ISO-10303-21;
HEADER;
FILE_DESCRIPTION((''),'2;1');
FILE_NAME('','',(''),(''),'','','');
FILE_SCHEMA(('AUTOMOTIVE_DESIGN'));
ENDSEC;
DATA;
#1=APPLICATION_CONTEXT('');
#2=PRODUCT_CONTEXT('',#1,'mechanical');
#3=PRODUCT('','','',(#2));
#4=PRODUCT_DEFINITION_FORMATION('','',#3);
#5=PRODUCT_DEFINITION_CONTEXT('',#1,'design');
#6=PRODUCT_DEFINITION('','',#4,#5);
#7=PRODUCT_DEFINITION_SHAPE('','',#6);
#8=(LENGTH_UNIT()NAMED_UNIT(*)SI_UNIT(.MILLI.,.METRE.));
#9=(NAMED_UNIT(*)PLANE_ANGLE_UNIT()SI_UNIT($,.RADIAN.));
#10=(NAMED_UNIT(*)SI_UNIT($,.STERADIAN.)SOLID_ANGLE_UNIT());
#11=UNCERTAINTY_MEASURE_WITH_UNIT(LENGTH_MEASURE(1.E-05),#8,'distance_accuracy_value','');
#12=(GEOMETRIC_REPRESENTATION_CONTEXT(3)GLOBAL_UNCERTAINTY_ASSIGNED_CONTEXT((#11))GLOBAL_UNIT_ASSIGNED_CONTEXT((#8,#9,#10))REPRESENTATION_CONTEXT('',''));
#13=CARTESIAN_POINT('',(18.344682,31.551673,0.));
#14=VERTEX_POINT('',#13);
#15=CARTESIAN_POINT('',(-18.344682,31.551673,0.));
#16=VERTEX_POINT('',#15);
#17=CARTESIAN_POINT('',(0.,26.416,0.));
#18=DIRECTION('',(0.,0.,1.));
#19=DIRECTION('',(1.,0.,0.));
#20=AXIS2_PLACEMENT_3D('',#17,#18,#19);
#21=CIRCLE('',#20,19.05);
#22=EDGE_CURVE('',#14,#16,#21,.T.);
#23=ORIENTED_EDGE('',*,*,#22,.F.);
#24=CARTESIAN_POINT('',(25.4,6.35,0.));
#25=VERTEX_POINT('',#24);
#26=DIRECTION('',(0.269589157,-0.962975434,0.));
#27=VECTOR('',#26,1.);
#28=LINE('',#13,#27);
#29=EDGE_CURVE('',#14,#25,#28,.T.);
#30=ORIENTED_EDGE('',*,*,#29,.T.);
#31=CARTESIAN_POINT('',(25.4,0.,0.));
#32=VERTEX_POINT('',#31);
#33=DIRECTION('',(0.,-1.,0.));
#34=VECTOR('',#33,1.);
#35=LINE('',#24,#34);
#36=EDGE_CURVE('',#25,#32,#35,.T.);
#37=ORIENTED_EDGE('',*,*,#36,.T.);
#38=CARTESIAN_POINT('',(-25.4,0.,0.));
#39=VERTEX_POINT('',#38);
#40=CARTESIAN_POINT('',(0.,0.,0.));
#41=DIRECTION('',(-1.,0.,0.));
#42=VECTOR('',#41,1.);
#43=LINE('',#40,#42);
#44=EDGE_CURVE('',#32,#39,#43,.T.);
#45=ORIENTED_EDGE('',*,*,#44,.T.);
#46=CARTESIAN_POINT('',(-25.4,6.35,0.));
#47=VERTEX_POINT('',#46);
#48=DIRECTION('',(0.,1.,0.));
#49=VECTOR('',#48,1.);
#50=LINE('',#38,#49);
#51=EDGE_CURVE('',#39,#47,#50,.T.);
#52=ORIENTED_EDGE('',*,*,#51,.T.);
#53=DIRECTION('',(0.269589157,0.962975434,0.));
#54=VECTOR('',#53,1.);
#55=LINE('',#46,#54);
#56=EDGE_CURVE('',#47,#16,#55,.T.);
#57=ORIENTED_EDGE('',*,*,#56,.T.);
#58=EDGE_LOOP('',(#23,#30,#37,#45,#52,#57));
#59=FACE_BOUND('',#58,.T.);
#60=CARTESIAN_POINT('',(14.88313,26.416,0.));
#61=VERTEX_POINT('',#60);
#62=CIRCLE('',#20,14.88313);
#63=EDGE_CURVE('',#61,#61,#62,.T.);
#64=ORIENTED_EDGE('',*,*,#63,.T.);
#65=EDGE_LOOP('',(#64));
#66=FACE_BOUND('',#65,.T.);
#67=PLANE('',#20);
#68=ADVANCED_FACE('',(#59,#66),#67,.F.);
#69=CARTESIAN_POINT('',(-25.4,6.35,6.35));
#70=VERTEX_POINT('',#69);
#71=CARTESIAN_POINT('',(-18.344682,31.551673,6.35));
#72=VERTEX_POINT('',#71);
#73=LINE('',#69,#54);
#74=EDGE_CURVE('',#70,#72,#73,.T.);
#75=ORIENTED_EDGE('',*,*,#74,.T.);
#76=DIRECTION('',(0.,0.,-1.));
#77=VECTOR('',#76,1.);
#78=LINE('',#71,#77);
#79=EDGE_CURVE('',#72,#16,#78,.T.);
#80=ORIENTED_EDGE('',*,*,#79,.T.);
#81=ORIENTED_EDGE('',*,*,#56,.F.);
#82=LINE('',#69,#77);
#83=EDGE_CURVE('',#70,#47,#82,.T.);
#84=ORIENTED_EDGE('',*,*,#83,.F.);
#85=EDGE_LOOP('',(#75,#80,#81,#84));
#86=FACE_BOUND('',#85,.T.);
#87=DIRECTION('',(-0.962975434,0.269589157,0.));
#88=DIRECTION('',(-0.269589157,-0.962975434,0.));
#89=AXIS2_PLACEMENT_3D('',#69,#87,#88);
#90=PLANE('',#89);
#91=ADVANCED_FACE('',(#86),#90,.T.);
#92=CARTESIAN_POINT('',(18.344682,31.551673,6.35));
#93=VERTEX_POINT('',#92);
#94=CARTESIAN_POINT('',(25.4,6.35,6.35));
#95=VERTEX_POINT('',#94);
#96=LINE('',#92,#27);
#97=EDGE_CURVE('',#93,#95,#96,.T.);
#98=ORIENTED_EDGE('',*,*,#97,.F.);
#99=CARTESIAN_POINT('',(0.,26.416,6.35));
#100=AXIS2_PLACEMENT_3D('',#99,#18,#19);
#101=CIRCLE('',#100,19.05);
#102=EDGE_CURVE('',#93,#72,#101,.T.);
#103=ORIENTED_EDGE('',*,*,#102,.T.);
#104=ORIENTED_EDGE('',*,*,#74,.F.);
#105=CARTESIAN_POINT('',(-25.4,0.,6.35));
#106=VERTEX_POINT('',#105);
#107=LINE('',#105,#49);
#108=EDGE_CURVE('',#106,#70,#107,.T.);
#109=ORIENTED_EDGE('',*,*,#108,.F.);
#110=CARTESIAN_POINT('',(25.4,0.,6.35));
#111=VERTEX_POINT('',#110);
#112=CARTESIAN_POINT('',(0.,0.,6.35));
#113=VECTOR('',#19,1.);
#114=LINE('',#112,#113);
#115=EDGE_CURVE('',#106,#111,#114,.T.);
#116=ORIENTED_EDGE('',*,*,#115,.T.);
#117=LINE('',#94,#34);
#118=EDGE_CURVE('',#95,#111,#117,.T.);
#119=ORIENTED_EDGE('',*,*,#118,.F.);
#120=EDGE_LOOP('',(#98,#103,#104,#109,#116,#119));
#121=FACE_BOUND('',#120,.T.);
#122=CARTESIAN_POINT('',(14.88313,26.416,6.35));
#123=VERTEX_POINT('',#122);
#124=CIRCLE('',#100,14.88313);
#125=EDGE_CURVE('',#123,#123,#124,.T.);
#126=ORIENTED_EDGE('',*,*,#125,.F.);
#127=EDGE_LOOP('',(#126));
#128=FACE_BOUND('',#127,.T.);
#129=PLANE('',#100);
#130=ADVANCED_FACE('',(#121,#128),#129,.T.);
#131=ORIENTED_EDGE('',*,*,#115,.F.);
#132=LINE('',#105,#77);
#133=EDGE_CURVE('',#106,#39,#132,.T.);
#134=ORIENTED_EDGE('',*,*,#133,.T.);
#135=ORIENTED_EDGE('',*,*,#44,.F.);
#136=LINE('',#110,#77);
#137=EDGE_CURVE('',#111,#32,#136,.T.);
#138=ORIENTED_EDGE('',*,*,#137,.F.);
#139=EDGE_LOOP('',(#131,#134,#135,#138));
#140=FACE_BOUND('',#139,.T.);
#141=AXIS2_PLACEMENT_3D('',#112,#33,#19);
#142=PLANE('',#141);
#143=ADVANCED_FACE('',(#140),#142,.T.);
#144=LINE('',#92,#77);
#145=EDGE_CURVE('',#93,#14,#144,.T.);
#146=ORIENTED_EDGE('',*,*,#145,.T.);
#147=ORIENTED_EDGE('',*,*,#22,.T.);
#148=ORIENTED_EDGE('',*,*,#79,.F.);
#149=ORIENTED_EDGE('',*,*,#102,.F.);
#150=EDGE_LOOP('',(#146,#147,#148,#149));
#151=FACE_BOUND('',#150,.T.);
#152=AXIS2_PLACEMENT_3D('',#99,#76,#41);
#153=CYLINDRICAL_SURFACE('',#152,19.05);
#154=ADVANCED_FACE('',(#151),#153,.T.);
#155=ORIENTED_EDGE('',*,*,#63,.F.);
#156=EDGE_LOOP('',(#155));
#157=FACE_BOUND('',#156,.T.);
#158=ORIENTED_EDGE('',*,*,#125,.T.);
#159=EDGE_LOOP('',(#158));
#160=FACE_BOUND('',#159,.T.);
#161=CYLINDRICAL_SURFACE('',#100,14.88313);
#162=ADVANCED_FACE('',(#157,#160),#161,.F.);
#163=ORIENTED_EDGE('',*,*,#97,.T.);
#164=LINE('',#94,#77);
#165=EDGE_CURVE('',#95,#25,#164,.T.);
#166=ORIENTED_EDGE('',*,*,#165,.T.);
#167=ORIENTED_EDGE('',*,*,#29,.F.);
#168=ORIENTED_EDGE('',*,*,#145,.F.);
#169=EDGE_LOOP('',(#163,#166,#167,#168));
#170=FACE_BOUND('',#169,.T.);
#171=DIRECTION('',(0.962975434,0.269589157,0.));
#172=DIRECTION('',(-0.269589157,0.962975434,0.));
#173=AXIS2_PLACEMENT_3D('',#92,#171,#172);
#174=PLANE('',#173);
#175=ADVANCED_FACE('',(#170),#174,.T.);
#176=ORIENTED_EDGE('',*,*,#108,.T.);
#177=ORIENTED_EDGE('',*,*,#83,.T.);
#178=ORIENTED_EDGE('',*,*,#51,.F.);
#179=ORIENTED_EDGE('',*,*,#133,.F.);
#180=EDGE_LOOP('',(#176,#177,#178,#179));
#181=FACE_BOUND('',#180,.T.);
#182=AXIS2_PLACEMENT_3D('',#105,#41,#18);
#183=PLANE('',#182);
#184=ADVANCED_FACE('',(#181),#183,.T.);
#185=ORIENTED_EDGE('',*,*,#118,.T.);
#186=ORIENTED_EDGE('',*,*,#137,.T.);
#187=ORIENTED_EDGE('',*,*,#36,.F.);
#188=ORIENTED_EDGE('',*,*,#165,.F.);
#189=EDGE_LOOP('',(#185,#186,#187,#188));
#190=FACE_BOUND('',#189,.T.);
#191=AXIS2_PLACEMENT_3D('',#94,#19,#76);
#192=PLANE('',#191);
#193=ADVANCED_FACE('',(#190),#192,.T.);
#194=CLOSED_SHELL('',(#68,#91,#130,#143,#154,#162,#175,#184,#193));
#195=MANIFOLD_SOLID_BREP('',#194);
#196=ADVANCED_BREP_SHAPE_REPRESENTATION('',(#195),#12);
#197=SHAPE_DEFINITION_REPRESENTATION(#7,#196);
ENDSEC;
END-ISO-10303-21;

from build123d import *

# Parameters (mm, degrees)
BOSS_EXTRUDE1_DEPTH           = 6.35
F_1_1_4_12_TAPPED_HOLE1_D     = 29.76626
F_1_1_4_12_TAPPED_HOLE1_DEPTH = 74.0791
F_1_1_4_12_TAPPED_HOLE1_TIP   = 8.942686705


with BuildPart() as part:
    # Sketch1 → Boss-Extrude1 (new body)
    with BuildSketch(Plane.XY):
        with BuildLine():
            Line((0, 0), (-25.4, 0))
            Line((-25.4, 0), (-25.4, 6.35))
            Line((-25.4, 6.35), (-18.344682017, 31.55167344))
            ThreePointArc((-18.344682017, 31.55167344), (0, 45.466), (18.344682017, 31.55167344))
            Line((18.344682017, 31.55167344), (25.4, 6.35))
            Line((25.4, 6.35), (25.4, 0))
            Line((25.4, 0), (0, 0))
        make_face()
    extrude(amount=BOSS_EXTRUDE1_DEPTH)

    # 1-1/4-12 Tapped Hole1
    with Locations(Plane(origin=(0, 26.416, 6.35), x_dir=(1, 0, 0), z_dir=(0, 0, 1))):
        with Locations((0, 0)):
            Hole(F_1_1_4_12_TAPPED_HOLE1_D / 2, depth=F_1_1_4_12_TAPPED_HOLE1_DEPTH)
            with Locations((0, 0, -(F_1_1_4_12_TAPPED_HOLE1_DEPTH + F_1_1_4_12_TAPPED_HOLE1_TIP / 2))):  # 118° drill point
                Cone(0, F_1_1_4_12_TAPPED_HOLE1_D / 2, F_1_1_4_12_TAPPED_HOLE1_TIP, mode=Mode.SUBTRACT)


solid = part.part
